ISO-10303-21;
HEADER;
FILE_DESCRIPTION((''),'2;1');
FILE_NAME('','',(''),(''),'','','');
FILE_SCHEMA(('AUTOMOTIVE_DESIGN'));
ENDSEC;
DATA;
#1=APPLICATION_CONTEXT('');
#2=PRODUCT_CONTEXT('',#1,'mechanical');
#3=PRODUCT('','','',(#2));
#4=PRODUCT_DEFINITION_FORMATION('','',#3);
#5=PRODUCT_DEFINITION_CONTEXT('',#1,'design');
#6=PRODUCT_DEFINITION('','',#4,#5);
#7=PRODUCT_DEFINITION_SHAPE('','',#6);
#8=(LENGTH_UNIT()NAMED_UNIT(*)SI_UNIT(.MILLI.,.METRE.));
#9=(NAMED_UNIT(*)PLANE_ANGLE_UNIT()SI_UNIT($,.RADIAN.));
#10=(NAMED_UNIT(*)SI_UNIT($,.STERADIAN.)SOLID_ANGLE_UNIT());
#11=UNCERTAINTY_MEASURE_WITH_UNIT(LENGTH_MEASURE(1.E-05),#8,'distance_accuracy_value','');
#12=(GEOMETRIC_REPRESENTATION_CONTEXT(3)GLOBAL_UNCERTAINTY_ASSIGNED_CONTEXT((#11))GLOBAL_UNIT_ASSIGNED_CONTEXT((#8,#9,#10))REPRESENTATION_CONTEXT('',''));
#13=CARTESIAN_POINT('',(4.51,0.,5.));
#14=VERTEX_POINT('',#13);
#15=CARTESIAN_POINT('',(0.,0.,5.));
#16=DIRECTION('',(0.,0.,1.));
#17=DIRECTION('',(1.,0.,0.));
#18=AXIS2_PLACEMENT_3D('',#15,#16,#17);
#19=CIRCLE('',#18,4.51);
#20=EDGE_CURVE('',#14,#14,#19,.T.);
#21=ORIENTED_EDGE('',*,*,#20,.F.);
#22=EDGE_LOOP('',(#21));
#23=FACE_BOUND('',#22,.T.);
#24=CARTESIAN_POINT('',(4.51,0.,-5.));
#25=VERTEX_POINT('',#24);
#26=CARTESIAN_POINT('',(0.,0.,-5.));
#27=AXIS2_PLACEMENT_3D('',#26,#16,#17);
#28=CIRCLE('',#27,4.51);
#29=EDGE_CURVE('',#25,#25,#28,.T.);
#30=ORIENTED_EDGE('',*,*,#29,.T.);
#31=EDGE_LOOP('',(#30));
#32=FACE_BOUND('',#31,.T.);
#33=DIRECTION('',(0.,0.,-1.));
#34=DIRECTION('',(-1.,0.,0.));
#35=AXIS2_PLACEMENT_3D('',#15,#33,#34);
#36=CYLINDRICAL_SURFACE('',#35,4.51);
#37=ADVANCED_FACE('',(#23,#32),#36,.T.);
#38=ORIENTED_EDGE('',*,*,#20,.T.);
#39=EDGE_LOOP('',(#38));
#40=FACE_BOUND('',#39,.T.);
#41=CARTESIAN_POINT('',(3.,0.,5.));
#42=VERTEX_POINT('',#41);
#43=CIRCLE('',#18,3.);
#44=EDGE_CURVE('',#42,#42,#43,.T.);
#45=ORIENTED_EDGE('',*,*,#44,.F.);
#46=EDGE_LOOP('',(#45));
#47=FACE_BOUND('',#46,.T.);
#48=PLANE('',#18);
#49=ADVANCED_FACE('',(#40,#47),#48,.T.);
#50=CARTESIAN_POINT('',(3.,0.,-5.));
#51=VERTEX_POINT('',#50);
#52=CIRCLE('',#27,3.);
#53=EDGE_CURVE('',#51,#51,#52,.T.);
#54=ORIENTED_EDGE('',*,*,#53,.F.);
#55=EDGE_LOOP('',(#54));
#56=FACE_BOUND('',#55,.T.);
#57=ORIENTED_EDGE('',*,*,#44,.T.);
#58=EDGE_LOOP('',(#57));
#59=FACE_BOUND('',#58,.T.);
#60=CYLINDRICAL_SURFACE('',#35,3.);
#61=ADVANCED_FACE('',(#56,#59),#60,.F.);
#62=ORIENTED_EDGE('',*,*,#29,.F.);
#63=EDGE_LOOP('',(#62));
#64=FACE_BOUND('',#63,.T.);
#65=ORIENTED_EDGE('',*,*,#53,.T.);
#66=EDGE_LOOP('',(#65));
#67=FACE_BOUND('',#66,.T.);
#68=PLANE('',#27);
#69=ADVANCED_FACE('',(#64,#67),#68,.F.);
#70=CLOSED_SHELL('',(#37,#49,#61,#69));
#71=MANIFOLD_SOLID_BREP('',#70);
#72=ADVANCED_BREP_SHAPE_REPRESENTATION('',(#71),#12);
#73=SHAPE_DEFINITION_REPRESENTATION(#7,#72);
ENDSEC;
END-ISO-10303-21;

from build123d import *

# Parameters (mm, degrees)
SKETCH1_R      = 4.51
SKETCH1_R_2    = 3
EXTRUDE1_DEPTH = 5


with BuildPart() as part:
    # Sketch1 → Extrude1 (new body, symmetric)
    with BuildSketch(Plane.XY):
        Circle(SKETCH1_R)
        Circle(SKETCH1_R_2, mode=Mode.SUBTRACT)
    extrude(amount=EXTRUDE1_DEPTH, both=True)


solid = part.part
